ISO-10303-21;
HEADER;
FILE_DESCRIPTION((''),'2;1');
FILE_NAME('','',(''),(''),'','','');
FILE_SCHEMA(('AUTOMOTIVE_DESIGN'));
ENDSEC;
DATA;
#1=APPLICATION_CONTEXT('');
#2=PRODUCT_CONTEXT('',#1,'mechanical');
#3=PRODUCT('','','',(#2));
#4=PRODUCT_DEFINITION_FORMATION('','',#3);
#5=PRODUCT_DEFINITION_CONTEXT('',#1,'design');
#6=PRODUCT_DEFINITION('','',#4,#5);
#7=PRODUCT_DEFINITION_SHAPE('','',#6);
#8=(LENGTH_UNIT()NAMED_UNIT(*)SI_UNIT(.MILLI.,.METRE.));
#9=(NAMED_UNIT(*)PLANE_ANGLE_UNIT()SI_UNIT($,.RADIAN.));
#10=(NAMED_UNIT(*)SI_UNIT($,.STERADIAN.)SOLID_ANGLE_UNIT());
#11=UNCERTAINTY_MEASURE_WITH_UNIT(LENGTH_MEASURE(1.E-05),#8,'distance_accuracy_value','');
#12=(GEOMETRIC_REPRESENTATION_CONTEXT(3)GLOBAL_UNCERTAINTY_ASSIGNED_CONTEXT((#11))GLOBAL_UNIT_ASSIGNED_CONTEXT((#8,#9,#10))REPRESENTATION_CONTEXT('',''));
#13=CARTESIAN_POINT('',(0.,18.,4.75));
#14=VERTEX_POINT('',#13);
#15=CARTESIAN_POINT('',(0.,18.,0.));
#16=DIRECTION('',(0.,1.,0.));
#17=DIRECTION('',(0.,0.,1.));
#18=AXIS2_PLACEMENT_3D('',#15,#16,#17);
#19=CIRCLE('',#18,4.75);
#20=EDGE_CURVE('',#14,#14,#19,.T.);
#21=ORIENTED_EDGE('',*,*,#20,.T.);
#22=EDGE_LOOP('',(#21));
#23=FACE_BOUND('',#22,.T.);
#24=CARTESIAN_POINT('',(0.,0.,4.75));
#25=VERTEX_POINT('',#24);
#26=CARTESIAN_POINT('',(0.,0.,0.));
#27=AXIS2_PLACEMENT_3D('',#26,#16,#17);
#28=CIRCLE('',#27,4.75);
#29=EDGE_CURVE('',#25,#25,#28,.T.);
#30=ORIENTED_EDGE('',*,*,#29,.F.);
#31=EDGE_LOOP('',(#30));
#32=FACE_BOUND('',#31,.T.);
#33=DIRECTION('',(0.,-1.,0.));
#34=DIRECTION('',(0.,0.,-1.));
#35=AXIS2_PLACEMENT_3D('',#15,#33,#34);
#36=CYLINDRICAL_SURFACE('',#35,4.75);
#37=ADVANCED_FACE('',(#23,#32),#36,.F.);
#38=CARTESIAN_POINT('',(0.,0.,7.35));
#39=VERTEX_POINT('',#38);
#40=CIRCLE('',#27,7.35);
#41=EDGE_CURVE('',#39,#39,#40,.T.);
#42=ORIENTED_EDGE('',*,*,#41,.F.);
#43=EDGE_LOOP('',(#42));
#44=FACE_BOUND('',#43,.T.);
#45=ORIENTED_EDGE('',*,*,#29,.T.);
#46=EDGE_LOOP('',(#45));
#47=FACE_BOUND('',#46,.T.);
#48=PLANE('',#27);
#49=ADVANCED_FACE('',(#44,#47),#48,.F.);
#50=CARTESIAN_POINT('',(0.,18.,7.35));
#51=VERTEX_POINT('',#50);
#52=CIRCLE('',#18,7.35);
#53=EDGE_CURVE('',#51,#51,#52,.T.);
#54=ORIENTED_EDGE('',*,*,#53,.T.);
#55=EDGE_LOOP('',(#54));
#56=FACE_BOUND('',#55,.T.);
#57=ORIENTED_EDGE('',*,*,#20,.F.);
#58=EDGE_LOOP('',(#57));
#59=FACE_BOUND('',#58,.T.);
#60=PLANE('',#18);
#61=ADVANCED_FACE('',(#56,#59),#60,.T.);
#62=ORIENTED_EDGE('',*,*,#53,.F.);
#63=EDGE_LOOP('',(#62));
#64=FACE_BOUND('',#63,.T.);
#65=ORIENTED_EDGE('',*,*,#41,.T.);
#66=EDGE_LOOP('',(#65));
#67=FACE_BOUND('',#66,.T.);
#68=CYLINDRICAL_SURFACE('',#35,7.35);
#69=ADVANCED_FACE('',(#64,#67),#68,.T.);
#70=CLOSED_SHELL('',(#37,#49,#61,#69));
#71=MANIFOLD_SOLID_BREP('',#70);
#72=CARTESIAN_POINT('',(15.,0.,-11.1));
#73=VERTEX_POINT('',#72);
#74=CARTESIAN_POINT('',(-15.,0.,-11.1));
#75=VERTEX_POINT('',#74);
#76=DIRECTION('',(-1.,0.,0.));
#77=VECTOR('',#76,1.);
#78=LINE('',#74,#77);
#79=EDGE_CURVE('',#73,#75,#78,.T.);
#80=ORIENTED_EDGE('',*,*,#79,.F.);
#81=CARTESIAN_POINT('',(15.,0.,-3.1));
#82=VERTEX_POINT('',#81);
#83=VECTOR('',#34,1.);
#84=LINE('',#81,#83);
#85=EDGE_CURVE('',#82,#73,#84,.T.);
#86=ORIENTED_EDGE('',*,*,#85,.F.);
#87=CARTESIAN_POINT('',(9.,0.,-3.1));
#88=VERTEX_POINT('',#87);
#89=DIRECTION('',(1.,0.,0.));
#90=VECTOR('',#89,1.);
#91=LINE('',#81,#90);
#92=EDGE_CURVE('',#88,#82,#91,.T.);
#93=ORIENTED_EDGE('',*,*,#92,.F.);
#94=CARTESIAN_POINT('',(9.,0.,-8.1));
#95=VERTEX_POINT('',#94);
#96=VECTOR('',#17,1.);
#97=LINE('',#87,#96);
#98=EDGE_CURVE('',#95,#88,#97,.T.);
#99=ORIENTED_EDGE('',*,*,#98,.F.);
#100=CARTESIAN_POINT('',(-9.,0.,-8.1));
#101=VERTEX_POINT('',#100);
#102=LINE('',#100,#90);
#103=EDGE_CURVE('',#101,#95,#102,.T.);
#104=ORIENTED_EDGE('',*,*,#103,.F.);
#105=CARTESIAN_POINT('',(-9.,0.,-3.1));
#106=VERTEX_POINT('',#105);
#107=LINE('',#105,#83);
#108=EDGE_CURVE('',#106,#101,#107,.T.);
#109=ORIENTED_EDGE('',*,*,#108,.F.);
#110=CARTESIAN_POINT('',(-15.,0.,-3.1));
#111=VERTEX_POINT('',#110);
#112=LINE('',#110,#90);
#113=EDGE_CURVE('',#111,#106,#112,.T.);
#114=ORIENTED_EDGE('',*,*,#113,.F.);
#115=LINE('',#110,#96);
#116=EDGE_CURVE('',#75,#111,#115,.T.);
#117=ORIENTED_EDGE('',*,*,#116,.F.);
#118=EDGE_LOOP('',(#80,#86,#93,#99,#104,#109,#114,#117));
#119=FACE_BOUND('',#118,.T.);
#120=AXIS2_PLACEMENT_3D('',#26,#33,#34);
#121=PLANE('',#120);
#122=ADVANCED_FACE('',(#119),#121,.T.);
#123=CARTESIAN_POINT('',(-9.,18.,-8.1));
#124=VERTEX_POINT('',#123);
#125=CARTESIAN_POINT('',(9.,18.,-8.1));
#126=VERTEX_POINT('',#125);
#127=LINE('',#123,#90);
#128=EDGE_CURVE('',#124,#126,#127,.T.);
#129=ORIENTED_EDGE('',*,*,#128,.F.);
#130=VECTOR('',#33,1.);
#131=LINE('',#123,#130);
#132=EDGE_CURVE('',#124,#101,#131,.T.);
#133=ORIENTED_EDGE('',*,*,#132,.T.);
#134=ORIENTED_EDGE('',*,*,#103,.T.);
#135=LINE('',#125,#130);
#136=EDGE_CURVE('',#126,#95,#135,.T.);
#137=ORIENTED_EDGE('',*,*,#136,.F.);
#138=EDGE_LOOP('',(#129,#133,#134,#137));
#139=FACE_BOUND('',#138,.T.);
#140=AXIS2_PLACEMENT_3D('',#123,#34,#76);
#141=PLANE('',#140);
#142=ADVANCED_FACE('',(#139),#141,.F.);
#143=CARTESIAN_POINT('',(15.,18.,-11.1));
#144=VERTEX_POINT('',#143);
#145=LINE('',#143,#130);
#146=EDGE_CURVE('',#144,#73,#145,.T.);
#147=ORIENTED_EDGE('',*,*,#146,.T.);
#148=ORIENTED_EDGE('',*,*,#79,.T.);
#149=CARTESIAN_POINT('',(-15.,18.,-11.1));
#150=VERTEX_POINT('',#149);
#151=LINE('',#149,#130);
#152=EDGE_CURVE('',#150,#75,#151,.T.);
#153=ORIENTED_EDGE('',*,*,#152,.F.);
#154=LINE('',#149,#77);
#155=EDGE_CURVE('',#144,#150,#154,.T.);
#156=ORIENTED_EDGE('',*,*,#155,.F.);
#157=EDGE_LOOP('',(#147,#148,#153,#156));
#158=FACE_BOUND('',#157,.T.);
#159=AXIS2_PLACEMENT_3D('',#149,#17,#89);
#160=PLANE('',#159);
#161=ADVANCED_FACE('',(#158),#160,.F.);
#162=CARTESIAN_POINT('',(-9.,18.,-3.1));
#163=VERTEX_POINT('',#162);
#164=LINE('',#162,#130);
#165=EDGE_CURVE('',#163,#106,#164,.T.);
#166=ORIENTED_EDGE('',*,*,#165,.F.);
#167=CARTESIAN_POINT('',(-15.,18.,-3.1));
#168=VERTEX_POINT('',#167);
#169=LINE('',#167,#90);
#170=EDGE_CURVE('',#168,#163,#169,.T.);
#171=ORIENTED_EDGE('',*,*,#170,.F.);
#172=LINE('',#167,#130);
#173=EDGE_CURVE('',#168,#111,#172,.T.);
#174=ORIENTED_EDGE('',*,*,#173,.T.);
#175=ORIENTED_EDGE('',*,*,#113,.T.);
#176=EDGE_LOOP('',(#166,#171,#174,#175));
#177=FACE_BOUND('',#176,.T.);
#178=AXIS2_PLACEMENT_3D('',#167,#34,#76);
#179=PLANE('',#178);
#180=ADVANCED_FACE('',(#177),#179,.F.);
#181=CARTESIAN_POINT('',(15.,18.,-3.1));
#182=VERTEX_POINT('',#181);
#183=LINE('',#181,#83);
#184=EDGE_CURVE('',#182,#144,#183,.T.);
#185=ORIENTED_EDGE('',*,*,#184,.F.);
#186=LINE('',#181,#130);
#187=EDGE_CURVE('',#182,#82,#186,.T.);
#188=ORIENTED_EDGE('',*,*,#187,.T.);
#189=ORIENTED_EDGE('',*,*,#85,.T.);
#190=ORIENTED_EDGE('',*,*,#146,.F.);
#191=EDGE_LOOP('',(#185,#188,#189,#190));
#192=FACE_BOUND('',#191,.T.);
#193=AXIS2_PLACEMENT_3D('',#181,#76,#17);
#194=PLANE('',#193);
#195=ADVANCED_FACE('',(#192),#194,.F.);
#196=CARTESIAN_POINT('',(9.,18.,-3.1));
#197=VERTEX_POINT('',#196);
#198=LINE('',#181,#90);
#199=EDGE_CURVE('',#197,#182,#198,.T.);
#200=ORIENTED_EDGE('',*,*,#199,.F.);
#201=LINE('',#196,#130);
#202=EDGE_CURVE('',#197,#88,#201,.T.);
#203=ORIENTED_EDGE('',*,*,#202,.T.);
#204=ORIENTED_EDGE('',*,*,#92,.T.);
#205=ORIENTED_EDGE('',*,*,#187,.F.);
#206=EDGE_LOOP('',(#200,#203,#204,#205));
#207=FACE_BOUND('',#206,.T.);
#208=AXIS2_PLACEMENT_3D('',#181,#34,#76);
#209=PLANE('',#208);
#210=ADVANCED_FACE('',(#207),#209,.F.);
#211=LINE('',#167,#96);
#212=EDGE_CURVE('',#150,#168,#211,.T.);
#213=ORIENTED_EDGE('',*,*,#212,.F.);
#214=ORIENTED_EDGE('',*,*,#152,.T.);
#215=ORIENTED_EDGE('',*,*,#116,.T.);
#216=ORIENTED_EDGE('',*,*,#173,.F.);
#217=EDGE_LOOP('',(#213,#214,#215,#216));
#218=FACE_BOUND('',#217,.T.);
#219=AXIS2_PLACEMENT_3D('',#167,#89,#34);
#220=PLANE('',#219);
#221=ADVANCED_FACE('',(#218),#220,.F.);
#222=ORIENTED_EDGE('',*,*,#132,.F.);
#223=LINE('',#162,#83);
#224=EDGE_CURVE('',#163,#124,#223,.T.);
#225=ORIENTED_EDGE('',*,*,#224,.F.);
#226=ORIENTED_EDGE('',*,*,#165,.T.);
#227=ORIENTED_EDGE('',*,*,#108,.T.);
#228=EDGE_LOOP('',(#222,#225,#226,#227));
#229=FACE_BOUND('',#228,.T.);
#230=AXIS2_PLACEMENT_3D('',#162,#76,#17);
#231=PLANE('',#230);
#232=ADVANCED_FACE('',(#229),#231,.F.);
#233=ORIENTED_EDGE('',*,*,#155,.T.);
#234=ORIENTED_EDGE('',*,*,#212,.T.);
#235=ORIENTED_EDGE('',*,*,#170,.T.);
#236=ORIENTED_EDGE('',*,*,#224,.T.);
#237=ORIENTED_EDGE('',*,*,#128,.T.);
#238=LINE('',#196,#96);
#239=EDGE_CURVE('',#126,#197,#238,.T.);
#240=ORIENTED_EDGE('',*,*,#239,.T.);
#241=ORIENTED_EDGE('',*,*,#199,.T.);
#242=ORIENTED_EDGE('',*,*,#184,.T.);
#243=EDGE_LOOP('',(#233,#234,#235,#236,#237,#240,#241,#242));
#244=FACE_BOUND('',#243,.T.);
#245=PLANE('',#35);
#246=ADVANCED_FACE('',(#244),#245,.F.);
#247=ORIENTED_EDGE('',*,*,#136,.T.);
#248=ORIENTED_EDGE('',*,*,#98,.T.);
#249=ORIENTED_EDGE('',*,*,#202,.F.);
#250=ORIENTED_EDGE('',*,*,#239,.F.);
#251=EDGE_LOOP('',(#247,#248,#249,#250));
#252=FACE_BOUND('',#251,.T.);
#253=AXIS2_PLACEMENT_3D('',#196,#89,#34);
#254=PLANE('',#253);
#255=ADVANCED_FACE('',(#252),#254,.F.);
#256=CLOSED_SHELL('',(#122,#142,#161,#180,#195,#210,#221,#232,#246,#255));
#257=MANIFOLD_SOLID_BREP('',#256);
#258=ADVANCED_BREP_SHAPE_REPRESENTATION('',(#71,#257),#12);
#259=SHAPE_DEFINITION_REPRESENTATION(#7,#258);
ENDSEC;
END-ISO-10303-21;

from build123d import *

# Parameters (mm, degrees)
SKETCH1_R             = 7.35
SKETCH1_R_2           = 4.75
BOSS_EXTRUDE1_DEPTH   = 18
BOSS_EXTRUDE1_2_DEPTH = 18


with BuildPart() as part:
    # Sketch1 → Boss-Extrude1 (new body)
    with BuildSketch(Plane(origin=(0, 0, 0), x_dir=(1, 0, 0), z_dir=(0, 1, 0))):
        with Locations(Location((0, 0, 0), (0, 0, 270))):
            Circle(SKETCH1_R)
        with Locations(Location((0, 0, 0), (0, 0, 270))):
            Circle(SKETCH1_R_2, mode=Mode.SUBTRACT)
    extrude(amount=BOSS_EXTRUDE1_DEPTH)


with BuildPart() as body_2:
    # Sketch1 → Boss-Extrude1 2 (new body)
    with BuildSketch(Plane(origin=(0, 0, 0), x_dir=(1, 0, 0), z_dir=(0, 1, 0))):
        Polygon((-15, 3.1), (-9, 3.1), (-9, 8.1), (9, 8.1), (9, 3.1), (15, 3.1), (15, 11.1), (-15, 11.1), align=None)
    extrude(amount=BOSS_EXTRUDE1_2_DEPTH)


solid = Compound([part.part, body_2.part])
